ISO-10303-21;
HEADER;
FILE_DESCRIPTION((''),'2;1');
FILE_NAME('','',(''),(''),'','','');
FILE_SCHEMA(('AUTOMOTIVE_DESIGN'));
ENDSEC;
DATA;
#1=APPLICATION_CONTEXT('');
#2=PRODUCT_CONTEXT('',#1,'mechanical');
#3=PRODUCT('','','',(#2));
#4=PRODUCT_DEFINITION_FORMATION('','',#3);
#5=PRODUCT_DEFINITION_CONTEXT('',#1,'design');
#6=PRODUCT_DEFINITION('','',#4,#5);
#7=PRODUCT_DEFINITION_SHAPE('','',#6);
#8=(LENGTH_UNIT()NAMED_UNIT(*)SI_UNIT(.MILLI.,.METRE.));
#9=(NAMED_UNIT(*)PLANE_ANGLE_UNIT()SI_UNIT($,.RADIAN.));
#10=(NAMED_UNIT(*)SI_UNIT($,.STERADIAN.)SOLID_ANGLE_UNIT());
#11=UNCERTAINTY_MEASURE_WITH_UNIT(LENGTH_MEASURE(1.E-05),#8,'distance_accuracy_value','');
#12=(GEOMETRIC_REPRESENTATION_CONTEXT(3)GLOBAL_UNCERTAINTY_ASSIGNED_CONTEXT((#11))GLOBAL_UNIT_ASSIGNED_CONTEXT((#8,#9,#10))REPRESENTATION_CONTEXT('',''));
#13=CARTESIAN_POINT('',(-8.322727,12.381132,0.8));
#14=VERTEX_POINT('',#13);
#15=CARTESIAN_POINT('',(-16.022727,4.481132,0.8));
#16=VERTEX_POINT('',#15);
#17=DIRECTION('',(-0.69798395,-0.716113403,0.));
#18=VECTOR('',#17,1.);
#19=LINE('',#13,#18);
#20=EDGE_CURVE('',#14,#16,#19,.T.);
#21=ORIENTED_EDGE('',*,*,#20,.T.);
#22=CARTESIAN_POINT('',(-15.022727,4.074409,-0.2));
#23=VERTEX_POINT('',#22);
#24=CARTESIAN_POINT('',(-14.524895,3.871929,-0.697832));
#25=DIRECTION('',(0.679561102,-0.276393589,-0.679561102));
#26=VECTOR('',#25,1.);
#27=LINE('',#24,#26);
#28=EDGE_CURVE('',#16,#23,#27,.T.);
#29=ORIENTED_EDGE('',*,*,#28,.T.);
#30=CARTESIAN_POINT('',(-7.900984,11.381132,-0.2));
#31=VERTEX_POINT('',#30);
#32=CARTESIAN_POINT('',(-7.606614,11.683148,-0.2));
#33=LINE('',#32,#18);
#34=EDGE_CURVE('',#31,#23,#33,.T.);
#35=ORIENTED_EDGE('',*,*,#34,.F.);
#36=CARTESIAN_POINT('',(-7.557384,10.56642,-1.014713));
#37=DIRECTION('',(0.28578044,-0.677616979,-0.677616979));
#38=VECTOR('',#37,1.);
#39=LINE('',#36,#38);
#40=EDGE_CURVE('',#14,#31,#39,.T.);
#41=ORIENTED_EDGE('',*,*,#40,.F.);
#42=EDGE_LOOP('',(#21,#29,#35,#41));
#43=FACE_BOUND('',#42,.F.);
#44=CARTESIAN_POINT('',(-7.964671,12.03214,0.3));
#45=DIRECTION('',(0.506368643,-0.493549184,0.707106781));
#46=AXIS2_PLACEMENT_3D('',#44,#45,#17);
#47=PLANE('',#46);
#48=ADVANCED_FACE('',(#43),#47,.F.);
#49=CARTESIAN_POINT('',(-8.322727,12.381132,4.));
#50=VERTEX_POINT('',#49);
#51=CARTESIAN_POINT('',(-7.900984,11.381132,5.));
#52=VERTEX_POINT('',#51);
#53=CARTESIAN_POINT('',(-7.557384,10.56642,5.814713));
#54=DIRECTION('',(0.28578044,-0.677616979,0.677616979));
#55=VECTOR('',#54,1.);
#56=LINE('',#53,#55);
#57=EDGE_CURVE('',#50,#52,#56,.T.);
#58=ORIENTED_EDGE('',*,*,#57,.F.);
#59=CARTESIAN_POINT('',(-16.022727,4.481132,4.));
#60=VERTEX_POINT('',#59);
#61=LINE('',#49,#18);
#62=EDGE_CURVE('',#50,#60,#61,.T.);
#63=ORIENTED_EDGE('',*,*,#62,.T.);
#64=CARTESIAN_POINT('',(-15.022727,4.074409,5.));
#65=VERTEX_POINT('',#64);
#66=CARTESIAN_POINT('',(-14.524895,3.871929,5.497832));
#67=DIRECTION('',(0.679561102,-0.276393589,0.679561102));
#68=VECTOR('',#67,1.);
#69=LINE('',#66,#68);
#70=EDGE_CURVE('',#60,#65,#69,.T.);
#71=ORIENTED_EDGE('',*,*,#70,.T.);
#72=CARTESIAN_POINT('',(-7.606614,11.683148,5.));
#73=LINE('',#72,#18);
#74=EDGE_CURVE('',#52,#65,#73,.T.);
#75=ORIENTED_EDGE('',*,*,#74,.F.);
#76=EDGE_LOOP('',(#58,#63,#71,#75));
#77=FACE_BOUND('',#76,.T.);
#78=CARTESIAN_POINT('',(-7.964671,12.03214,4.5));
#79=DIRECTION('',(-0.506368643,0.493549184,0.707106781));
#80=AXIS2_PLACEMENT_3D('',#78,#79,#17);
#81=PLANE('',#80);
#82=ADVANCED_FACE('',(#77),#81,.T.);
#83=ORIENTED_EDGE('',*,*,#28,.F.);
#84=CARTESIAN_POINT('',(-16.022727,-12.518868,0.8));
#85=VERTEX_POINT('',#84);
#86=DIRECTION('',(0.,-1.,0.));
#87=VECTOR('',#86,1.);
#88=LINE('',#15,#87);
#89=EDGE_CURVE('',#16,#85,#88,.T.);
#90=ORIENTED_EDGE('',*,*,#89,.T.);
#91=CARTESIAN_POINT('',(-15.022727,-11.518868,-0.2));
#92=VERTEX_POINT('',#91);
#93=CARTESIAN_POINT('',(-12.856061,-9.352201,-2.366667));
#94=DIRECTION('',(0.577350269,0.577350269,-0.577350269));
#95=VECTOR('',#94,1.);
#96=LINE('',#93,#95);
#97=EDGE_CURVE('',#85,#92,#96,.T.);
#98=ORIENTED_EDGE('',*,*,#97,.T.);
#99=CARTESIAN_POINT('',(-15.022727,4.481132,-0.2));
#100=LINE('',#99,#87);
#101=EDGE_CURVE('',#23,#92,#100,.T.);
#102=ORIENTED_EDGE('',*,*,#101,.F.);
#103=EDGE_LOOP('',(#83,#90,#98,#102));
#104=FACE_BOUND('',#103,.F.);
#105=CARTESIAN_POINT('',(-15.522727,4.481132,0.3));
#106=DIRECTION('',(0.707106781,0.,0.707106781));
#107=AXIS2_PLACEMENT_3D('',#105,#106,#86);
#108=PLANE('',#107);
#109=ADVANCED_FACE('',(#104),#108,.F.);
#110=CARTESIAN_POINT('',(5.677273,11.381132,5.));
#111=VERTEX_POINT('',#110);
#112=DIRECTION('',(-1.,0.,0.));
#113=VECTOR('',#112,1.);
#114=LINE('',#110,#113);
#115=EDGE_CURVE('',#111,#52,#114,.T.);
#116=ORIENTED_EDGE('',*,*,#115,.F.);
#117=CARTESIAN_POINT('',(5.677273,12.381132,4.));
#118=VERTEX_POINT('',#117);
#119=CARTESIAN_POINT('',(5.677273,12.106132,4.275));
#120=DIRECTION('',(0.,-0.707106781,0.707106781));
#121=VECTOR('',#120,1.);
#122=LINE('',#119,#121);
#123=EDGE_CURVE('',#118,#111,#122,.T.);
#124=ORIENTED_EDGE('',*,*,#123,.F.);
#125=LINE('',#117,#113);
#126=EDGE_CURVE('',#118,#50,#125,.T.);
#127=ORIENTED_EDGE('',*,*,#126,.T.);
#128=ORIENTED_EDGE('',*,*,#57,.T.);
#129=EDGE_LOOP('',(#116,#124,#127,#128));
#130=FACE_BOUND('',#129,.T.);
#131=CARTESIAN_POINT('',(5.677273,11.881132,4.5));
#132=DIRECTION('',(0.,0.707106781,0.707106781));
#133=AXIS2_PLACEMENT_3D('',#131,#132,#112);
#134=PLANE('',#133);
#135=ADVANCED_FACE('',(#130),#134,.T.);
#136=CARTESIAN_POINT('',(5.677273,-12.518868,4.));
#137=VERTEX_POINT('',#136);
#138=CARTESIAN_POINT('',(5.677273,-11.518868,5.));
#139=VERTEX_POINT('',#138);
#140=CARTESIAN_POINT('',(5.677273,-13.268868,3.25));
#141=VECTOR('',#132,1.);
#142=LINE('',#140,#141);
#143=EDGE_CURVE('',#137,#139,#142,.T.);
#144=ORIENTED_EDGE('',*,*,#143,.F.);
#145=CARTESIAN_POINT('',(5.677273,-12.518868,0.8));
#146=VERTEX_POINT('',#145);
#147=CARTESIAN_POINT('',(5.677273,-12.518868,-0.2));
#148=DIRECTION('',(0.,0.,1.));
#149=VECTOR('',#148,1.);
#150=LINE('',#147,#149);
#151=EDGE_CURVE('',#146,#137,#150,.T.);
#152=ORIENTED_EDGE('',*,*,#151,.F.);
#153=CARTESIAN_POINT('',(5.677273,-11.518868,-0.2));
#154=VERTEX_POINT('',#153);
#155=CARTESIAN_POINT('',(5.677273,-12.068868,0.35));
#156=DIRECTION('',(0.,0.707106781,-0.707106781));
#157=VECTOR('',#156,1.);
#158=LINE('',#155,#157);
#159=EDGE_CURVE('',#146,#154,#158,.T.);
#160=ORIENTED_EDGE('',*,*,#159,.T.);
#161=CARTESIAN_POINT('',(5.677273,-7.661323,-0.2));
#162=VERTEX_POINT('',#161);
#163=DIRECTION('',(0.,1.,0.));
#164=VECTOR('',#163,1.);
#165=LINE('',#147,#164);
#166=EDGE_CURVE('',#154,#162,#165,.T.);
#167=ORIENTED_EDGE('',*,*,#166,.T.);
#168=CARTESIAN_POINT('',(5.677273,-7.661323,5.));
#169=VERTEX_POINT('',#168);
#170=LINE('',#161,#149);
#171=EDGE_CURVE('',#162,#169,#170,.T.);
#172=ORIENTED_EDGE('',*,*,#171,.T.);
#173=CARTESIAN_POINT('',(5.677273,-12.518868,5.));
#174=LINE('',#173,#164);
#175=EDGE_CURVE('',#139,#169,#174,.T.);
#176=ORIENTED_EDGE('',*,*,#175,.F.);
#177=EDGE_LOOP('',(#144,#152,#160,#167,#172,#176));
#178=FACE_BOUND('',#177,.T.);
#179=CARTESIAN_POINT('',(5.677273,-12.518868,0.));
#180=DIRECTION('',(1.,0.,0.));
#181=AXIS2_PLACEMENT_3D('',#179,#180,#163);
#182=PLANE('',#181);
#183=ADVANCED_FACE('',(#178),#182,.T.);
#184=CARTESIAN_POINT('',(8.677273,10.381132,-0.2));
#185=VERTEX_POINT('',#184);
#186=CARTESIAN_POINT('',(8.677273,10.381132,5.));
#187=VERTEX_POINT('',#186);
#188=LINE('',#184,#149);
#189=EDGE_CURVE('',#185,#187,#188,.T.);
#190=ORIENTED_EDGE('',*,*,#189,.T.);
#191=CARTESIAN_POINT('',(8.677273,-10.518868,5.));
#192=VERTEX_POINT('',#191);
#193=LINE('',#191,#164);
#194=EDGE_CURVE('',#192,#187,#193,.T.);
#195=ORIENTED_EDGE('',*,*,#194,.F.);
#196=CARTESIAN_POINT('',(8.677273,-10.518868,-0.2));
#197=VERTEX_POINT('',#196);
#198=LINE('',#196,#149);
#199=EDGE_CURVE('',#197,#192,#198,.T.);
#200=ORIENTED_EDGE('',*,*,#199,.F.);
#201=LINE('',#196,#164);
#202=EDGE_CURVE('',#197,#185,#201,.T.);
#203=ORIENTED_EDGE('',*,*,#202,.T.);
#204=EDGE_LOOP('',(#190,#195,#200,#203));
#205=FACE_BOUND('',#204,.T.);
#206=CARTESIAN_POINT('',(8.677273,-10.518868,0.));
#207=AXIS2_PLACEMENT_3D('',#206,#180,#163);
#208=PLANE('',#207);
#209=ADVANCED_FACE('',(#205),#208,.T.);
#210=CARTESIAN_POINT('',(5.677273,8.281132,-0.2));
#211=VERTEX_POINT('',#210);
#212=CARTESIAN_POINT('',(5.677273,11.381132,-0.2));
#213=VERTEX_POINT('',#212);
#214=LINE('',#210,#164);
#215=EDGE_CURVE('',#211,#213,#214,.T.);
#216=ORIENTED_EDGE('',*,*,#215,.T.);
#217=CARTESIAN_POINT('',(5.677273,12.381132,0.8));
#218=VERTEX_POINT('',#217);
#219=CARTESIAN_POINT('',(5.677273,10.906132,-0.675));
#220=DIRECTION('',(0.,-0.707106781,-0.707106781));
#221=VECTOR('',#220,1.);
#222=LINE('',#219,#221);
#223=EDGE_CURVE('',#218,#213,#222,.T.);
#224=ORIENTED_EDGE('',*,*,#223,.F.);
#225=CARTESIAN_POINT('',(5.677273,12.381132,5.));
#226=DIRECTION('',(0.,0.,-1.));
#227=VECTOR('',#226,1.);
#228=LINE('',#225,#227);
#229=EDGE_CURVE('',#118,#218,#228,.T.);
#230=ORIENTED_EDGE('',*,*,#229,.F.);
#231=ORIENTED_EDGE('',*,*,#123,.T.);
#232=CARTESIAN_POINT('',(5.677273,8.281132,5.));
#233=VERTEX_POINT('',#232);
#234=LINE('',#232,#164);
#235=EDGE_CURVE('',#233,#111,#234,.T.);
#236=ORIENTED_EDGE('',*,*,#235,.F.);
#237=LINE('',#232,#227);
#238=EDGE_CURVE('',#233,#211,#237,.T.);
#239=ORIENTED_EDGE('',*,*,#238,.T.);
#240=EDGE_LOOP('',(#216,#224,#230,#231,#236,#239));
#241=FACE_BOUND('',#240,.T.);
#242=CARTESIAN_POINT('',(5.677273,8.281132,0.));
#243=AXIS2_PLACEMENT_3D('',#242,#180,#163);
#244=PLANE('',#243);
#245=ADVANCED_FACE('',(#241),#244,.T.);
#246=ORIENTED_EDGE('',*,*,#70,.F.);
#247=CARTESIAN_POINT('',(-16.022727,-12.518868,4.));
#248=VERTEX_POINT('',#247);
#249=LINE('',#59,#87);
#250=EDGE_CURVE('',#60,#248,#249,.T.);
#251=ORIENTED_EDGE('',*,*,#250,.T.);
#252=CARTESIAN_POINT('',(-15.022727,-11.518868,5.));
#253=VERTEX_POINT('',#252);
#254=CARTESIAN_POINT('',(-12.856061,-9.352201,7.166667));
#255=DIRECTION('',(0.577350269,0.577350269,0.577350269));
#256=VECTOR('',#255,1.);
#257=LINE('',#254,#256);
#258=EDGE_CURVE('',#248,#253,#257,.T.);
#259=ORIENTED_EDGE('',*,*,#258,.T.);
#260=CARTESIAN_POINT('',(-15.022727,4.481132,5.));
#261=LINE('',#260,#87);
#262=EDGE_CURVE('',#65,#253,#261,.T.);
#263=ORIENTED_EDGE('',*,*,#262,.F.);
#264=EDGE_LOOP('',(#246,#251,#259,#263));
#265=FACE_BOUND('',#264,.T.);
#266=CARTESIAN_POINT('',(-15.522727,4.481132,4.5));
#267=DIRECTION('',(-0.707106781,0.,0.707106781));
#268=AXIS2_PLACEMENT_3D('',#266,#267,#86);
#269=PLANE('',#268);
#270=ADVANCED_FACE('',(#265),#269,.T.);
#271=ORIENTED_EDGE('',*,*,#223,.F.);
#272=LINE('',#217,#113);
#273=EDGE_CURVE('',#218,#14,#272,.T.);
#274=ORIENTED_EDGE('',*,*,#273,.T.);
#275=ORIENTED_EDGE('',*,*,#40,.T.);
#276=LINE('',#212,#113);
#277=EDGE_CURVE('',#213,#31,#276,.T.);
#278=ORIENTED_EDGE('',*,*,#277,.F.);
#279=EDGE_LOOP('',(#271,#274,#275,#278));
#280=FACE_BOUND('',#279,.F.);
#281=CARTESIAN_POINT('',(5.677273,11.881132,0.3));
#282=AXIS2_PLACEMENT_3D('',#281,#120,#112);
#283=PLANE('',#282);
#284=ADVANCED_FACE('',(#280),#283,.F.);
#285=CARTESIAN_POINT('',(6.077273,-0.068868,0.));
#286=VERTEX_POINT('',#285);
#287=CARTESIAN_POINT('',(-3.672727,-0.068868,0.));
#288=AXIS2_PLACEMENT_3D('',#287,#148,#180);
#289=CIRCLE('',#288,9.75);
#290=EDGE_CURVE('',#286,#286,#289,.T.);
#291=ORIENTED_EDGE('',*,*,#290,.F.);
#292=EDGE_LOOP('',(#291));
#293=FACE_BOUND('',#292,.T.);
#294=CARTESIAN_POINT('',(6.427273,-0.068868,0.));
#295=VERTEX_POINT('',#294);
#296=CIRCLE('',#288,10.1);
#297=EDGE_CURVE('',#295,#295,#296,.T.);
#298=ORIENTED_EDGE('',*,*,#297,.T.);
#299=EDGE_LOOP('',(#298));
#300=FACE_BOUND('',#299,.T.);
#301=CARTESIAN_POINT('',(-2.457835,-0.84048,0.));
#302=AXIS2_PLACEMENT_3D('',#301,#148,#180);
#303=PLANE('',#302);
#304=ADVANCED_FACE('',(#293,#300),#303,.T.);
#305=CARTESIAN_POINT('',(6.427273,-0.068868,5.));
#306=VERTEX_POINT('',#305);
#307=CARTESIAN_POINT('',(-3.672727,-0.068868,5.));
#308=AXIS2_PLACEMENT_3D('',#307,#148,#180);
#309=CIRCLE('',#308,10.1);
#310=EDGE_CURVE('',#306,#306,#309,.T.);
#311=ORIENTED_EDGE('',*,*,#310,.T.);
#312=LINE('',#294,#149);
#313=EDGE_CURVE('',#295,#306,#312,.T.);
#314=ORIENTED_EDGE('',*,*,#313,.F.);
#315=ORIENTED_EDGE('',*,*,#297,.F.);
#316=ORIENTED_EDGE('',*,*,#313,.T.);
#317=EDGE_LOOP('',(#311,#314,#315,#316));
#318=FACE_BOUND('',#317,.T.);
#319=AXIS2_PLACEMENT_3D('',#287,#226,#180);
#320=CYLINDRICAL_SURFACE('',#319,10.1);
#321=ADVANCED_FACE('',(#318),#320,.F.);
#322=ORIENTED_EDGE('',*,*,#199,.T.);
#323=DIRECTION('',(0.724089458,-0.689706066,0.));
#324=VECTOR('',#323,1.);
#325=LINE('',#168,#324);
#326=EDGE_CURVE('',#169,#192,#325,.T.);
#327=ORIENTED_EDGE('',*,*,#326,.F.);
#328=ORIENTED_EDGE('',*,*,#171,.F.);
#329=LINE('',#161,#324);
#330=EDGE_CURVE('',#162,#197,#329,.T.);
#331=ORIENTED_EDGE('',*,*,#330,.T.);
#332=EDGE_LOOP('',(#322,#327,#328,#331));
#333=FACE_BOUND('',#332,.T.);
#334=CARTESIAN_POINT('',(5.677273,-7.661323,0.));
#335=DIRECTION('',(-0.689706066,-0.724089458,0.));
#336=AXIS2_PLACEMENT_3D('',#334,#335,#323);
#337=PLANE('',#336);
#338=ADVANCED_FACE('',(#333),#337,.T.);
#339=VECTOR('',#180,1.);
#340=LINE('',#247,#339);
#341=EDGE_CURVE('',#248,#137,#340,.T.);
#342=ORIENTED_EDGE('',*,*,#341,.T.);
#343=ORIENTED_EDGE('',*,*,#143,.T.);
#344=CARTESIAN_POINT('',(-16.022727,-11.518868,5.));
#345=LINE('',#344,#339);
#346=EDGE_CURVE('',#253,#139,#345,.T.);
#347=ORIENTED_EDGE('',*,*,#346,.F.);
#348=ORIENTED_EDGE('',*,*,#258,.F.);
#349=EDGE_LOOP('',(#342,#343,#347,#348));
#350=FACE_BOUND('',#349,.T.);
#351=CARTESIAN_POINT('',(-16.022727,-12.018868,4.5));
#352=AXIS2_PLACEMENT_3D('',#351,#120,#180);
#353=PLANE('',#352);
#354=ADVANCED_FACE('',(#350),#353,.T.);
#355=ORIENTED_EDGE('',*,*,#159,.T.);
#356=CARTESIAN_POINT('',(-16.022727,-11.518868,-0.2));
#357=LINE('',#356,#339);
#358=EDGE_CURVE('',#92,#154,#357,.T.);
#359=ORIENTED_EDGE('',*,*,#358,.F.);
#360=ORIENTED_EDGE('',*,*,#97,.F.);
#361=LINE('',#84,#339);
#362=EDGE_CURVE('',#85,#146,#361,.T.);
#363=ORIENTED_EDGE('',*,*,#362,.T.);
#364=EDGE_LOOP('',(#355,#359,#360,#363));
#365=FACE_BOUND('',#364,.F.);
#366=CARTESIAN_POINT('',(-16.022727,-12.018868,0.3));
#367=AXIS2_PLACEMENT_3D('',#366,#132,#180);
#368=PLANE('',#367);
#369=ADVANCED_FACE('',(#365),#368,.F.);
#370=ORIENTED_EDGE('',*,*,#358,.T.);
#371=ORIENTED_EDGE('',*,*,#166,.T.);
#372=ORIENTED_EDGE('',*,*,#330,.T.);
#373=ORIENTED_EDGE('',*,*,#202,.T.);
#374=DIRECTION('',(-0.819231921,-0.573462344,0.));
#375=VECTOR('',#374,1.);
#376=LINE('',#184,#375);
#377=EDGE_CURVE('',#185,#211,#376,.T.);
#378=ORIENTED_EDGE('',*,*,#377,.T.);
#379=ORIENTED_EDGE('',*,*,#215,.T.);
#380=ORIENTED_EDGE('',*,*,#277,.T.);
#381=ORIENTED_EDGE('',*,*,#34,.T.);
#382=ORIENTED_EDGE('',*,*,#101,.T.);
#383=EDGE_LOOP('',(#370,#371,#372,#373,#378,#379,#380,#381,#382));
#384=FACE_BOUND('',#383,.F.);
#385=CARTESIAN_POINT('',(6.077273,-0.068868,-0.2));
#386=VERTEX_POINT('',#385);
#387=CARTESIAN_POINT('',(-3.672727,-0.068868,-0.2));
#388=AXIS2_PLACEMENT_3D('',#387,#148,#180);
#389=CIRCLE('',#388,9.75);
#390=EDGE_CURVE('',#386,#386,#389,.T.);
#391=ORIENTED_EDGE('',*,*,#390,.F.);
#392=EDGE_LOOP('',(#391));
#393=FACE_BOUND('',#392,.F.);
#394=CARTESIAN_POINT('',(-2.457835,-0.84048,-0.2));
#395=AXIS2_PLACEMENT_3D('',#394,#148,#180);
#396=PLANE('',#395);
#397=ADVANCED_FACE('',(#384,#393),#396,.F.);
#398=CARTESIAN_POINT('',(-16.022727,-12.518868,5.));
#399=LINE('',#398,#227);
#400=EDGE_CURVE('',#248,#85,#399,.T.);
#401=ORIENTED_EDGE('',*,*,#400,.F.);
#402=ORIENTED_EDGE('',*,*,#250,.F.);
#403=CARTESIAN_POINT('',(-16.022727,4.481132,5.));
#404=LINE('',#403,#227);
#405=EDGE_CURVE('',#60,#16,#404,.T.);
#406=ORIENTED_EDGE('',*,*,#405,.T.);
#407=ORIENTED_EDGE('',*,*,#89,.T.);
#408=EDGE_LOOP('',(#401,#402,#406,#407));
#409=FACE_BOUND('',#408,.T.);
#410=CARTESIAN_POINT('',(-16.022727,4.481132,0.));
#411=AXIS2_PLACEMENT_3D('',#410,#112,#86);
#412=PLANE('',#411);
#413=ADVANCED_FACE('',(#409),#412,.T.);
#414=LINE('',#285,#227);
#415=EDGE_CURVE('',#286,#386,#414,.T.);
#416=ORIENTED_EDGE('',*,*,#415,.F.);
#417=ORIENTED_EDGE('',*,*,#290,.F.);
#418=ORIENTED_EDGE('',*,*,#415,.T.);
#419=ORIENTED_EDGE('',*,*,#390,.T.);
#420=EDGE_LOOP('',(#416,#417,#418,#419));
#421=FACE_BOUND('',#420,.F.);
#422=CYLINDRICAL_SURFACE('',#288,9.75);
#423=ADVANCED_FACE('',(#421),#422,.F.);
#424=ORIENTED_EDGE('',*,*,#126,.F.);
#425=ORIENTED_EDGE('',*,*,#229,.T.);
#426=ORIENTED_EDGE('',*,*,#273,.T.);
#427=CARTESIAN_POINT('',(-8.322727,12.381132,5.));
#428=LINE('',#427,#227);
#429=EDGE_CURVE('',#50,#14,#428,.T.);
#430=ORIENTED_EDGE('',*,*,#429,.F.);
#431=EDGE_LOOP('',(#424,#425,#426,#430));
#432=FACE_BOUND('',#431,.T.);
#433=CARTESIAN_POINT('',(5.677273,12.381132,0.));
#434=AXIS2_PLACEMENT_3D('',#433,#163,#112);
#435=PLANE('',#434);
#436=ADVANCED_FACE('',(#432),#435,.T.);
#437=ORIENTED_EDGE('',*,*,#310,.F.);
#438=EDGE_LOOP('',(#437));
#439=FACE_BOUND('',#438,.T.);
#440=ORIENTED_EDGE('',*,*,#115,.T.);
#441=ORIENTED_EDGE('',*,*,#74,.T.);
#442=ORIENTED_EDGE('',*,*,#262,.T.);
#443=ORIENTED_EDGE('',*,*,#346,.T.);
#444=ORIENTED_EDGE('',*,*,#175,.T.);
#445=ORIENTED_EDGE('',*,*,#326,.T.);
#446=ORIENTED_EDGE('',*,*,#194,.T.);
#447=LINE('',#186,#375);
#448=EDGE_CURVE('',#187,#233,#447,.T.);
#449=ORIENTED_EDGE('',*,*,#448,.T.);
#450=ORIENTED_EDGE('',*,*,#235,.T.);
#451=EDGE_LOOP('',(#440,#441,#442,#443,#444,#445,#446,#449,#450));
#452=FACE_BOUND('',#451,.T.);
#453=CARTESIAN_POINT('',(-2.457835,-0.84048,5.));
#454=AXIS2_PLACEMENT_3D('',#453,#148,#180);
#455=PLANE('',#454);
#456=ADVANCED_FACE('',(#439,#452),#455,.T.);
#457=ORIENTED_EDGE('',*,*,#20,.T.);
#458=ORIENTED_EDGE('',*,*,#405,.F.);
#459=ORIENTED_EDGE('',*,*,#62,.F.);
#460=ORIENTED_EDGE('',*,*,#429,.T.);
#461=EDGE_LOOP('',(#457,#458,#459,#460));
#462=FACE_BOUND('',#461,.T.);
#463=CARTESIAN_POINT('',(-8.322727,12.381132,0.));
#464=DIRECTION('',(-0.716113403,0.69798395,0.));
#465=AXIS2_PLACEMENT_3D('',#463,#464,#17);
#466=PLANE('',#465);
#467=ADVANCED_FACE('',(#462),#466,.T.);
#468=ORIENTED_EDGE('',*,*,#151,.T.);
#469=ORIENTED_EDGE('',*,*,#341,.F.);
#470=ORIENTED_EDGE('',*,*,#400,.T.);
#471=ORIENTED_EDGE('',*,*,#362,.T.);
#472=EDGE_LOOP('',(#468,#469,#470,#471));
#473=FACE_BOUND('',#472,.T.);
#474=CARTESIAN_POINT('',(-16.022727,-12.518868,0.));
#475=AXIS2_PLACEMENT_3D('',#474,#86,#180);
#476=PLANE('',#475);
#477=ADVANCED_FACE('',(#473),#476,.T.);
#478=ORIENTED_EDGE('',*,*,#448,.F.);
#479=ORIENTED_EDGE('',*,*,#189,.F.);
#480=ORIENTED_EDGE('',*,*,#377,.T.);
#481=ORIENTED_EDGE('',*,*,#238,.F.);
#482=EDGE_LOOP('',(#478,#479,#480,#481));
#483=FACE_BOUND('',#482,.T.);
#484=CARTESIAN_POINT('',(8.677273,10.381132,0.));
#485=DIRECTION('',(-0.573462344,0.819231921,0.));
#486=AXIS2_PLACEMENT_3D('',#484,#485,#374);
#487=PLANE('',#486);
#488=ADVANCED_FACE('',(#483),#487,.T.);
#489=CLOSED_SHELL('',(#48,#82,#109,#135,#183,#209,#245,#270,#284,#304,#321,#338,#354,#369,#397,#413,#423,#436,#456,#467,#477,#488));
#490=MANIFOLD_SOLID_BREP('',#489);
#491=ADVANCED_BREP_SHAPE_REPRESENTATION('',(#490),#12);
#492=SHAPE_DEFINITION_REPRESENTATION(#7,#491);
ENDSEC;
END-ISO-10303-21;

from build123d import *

# Parameters (mm, degrees)
F0_R     = 10.1
F1_DEPTH = 5
F0_R_2   = 9.75
F2_DEPTH = 0.2
F3_SIZE  = 1


with BuildPart() as f1:
    # F0 (on Top) → F1 (new body)
    with BuildSketch(Plane.XY):
        Polygon((-16.0227272727, -12.5188677256), (5.6772727273, -12.5188677256), (5.6772727273, -7.6613227439), (8.6772727273, -10.5188677256), (8.6772727273, 10.3811322744), (5.6772727273, 8.2811322744), (5.6772727273, 12.3811322744), (-8.3227272727, 12.3811322744), (-16.0227272727, 4.4811322744), align=None)
        with Locations((-3.6727272727, -0.0688677256)):
            Circle(F0_R, mode=Mode.SUBTRACT)
    extrude(amount=F1_DEPTH)

    # F0 (on Top) → F2 (join)
    with BuildSketch(Plane.XY):
        Polygon((-16.0227272727, -12.5188677256), (5.6772727273, -12.5188677256), (5.6772727273, -7.6613227439), (8.6772727273, -10.5188677256), (8.6772727273, 10.3811322744), (5.6772727273, 8.2811322744), (5.6772727273, 12.3811322744), (-8.3227272727, 12.3811322744), (-16.0227272727, 4.4811322744), align=None)
        with Locations((-3.6727272727, -0.0688677256)):
            Circle(F0_R, mode=Mode.SUBTRACT)
        with Locations((-3.6727272727, -0.0688677256)):
            Circle(F0_R)
        with Locations((-3.6727272727, -0.0688677256)):
            Circle(F0_R_2, mode=Mode.SUBTRACT)
    extrude(amount=-F2_DEPTH)

    # F3
    f3_edges = [f1.edges().sort_by_distance(p)[0] for p in [
        (-5.172727, -12.518868, 5),
        (-16.022727, -4.018868, 5),
        (-12.172727, 8.431132, 5),
        (-1.322727, 12.381132, 5),
        (-1.322727, 12.381132, -0.2),
        (-12.172727, 8.431132, -0.2),
        (-16.022727, -4.018868, -0.2),
        (-5.172727, -12.518868, -0.2),
    ]]
    chamfer(f3_edges, length=F3_SIZE)


solid = f1.part
